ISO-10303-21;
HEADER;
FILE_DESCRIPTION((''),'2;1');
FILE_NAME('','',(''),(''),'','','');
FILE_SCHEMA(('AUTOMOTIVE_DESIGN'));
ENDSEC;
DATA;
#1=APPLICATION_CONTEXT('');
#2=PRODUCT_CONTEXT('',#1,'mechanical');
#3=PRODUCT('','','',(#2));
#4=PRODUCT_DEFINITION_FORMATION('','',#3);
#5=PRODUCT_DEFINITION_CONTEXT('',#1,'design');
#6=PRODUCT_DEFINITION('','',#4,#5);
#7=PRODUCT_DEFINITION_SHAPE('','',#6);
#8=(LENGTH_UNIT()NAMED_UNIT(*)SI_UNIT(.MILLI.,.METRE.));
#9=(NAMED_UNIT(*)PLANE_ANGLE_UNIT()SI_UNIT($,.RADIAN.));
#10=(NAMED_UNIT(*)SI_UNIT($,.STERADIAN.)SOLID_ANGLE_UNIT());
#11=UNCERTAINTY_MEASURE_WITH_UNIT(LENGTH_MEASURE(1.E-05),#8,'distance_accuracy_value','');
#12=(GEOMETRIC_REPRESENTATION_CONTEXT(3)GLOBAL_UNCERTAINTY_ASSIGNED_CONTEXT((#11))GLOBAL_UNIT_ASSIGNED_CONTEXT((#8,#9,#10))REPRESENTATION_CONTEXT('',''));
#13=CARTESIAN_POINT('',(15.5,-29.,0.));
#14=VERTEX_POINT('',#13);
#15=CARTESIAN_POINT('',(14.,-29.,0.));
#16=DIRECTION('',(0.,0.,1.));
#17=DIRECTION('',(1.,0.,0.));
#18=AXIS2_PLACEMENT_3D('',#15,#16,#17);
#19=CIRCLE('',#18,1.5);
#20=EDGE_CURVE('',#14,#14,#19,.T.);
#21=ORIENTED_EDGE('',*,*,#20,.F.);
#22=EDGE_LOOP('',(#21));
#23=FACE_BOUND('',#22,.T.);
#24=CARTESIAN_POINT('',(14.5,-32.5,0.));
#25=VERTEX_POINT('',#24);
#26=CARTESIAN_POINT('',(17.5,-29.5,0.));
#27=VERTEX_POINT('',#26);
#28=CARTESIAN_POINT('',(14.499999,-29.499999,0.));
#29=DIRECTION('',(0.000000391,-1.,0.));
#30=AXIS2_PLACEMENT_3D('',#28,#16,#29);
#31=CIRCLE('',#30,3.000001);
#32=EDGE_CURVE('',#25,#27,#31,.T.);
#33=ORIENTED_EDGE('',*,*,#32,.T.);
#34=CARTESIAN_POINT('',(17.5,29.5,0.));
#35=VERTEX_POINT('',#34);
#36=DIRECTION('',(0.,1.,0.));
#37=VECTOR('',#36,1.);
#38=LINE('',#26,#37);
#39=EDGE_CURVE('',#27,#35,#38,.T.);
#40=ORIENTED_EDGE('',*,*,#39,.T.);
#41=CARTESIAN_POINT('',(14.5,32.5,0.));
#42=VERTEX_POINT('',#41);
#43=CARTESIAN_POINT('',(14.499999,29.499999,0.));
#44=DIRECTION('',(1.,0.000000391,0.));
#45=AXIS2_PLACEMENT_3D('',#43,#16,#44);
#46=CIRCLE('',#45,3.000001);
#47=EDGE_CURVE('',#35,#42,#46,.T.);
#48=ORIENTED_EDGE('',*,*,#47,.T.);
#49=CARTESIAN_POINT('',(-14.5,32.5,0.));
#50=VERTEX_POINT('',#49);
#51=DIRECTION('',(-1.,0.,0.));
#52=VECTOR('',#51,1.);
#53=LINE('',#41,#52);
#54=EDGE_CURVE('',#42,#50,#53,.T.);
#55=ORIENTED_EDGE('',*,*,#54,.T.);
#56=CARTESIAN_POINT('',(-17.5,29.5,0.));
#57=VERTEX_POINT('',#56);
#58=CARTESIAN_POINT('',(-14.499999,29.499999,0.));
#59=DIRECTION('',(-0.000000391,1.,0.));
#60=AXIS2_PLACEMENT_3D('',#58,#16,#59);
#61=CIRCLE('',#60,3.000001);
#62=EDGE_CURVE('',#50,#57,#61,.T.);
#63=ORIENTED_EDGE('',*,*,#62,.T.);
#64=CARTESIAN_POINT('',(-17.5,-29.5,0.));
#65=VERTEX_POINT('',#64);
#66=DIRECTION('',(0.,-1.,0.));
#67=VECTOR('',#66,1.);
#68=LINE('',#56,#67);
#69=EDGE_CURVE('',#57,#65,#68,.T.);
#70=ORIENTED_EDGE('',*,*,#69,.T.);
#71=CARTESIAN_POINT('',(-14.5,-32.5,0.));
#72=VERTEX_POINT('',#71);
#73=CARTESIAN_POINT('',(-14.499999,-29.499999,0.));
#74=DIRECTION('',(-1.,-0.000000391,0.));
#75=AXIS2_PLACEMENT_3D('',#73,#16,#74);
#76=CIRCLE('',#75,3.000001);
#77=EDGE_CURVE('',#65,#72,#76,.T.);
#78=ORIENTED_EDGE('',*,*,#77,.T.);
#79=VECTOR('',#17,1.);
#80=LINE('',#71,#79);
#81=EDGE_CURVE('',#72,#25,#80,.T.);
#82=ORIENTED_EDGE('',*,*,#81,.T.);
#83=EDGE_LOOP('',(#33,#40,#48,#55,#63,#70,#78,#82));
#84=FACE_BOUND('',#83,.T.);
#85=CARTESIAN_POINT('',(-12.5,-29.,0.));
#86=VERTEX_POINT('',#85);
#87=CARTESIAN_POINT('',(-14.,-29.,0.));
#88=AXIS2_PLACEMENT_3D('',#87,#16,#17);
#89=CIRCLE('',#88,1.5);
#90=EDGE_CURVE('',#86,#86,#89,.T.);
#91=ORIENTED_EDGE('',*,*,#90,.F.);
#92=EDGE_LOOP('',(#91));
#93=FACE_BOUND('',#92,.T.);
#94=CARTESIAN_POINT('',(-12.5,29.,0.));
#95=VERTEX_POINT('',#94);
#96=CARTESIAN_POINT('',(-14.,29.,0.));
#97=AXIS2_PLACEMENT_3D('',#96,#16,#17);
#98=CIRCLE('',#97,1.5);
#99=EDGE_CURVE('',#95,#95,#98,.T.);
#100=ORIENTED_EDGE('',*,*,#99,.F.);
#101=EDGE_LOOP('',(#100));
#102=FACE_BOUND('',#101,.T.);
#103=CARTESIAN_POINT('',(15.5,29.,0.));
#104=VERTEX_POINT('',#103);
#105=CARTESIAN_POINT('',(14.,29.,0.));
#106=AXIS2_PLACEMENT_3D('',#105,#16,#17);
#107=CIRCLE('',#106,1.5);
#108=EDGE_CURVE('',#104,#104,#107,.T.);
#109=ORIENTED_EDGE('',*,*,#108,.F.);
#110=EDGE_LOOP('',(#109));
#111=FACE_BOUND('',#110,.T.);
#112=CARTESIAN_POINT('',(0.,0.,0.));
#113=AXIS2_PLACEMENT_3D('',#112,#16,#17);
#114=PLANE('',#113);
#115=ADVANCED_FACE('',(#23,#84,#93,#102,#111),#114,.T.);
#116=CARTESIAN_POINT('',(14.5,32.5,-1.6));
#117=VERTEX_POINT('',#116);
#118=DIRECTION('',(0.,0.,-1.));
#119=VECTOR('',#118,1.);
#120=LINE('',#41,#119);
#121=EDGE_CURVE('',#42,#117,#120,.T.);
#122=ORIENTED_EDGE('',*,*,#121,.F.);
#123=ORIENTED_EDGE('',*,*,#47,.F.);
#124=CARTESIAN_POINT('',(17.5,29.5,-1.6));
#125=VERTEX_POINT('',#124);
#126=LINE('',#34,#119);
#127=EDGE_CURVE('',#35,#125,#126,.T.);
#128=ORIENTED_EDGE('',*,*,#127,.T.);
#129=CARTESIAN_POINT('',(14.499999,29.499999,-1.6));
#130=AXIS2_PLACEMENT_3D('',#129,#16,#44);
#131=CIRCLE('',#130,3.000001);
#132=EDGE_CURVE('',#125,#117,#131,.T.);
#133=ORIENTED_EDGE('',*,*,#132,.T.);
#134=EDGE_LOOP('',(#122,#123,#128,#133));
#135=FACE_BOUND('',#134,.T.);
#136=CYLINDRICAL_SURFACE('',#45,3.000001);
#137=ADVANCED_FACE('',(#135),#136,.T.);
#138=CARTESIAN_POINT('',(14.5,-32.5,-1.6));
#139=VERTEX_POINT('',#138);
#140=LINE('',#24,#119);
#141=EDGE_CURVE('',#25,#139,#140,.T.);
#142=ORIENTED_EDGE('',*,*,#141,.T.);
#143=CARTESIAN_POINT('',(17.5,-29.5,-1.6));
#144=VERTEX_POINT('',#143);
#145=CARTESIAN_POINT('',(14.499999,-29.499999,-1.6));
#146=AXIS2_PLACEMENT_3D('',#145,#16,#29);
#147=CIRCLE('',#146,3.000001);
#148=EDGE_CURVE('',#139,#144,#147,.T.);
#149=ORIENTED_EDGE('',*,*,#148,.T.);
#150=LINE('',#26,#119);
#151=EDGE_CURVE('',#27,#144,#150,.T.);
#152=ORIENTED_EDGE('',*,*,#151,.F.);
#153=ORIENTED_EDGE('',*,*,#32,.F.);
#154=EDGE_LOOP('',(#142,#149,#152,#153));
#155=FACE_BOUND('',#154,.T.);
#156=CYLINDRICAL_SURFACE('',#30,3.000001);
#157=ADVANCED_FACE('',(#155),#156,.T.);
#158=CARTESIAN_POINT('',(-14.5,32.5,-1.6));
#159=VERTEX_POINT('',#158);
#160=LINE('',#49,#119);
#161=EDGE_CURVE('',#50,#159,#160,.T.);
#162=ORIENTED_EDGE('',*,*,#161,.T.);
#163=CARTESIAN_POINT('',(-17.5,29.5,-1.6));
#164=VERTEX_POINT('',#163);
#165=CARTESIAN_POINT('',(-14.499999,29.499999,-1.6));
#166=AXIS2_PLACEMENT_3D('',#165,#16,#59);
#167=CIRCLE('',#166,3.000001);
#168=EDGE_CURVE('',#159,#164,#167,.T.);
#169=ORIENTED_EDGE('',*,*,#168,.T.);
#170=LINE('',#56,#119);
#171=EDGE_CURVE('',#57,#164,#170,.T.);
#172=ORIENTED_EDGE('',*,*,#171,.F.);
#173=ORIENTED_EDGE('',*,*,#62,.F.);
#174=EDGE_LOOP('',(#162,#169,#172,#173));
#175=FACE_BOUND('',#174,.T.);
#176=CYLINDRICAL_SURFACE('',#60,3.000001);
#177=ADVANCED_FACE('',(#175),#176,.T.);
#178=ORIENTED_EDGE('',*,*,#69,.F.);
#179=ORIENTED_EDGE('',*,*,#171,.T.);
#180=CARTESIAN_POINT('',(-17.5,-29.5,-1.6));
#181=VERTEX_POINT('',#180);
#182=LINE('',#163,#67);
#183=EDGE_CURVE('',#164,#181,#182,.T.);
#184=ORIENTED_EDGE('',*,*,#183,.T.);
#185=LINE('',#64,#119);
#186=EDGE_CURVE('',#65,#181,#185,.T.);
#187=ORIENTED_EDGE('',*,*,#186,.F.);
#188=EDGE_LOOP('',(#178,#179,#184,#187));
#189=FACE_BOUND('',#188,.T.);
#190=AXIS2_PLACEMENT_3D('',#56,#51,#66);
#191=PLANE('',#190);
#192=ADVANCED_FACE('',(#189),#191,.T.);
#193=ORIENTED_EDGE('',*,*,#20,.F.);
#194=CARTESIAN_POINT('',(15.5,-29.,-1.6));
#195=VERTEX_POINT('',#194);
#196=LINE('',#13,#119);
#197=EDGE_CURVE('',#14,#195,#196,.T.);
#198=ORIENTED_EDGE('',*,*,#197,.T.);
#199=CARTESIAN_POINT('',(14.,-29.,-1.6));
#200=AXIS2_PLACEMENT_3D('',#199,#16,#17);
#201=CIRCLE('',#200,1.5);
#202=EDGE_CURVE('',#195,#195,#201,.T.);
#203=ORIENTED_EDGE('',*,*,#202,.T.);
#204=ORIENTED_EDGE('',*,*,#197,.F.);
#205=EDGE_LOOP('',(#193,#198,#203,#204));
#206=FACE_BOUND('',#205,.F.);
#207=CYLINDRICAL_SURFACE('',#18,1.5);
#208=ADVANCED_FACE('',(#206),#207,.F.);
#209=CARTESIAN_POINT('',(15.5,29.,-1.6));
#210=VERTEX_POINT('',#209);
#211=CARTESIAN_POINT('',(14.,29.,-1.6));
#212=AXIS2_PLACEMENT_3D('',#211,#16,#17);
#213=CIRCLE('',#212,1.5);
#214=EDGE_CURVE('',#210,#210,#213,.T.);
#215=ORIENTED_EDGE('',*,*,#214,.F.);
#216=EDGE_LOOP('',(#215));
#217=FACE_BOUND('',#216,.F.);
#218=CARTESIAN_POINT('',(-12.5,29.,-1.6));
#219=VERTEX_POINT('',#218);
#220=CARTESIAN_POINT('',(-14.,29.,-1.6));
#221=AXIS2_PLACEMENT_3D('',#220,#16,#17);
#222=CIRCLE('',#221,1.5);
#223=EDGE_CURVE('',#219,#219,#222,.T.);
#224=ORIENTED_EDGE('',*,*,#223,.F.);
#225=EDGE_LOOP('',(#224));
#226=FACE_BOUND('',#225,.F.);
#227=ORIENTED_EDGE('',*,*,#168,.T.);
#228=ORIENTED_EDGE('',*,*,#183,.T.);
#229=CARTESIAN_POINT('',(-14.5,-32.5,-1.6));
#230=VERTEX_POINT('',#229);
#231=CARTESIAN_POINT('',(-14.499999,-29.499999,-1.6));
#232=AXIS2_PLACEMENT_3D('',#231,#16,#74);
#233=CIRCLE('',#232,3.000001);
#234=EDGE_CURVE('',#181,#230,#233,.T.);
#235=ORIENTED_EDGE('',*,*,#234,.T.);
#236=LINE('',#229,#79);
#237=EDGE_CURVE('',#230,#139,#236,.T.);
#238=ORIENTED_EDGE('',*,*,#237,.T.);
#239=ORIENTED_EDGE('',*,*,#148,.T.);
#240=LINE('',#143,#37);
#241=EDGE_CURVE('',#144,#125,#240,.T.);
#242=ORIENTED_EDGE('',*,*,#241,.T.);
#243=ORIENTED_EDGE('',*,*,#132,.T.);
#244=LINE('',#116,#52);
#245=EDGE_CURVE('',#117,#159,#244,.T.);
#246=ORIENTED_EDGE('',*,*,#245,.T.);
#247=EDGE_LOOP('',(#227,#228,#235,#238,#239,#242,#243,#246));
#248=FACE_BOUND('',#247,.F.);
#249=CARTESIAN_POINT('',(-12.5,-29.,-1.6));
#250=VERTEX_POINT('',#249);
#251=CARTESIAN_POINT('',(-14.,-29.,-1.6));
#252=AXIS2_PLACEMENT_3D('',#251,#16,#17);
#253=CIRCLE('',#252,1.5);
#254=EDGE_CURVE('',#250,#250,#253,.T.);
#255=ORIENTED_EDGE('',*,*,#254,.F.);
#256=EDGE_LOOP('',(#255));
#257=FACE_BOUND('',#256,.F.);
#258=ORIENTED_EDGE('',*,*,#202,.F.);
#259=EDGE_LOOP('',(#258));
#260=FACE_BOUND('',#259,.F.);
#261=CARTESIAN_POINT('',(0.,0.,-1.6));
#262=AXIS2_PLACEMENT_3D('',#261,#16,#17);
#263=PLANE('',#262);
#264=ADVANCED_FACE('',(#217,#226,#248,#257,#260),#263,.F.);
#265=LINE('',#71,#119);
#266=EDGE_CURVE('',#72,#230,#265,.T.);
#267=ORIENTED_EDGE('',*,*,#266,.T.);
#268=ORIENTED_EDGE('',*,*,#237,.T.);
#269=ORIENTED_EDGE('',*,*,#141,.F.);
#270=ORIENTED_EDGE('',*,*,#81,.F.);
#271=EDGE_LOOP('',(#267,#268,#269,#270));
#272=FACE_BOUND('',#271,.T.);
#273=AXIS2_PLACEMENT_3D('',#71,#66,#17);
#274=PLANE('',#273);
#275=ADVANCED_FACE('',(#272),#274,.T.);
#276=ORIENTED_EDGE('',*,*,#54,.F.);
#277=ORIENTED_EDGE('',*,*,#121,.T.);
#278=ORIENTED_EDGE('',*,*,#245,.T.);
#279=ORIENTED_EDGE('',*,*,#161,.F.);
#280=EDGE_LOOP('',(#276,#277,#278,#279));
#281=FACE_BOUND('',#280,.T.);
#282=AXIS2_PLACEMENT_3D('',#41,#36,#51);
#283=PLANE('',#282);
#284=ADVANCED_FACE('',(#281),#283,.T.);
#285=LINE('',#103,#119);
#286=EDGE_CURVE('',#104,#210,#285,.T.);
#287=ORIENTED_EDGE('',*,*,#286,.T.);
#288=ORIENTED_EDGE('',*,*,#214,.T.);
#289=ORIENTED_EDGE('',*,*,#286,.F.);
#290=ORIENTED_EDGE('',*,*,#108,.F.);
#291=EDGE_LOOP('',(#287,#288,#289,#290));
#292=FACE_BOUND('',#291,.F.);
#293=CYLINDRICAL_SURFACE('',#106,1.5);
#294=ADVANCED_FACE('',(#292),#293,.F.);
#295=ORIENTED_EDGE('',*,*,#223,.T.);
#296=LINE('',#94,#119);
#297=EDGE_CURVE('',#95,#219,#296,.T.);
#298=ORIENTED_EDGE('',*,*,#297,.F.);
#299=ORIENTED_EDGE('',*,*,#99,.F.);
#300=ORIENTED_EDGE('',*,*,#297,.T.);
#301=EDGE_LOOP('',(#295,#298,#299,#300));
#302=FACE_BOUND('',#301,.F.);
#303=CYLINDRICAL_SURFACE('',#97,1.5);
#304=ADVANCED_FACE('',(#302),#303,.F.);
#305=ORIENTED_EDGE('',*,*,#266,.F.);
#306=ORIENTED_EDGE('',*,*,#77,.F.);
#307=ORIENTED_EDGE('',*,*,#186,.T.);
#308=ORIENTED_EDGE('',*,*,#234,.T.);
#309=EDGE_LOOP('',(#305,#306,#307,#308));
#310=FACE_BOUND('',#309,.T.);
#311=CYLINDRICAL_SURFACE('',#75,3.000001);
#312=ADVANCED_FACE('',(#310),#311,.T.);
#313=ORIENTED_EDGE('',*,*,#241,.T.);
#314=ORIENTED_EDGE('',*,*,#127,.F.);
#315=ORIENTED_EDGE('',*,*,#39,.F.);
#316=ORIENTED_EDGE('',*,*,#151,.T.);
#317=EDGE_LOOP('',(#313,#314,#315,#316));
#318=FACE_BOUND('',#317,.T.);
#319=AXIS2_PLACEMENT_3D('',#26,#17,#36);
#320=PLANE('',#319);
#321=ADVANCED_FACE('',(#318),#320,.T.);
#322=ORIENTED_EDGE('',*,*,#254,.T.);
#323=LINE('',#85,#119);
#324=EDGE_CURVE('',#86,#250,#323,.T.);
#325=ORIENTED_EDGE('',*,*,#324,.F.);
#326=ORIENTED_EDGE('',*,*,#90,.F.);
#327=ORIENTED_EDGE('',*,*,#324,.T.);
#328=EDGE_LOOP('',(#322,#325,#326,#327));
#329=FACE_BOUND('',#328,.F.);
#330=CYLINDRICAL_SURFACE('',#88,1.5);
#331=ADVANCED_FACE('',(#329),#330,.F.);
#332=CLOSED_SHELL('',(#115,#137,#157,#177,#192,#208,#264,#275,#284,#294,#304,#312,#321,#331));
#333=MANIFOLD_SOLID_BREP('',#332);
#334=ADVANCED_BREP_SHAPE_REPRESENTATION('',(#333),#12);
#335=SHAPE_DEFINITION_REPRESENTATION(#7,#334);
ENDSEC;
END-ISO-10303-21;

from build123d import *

# Parameters (mm, degrees)
F0_R     = 1.5
F1_DEPTH = 1.6


with BuildPart() as f1:
    # F0 (on Top) → F1 (new body)
    with BuildSketch(Plane.XY):
        with BuildLine():
            ThreePointArc((17.5, 29.5), (16.62132, 31.62132), (14.5, 32.5))
            Line((14.5, 32.5), (-14.5, 32.5))
            ThreePointArc((-14.5, 32.5), (-16.62132, 31.62132), (-17.5, 29.5))
            Line((-17.5, 29.5), (-17.5, -29.5))
            ThreePointArc((-17.5, -29.5), (-16.62132, -31.62132), (-14.5, -32.5))
            Line((-14.5, -32.5), (14.5, -32.5))
            ThreePointArc((14.5, -32.5), (16.62132, -31.62132), (17.5, -29.5))
            Line((17.5, -29.5), (17.5, 29.5))
        make_face()
        with Locations((-14, -29)):
            Circle(F0_R, mode=Mode.SUBTRACT)
        with Locations((14, -29)):
            Circle(F0_R, mode=Mode.SUBTRACT)
        with Locations((-14, 29)):
            Circle(F0_R, mode=Mode.SUBTRACT)
        with Locations((14, 29)):
            Circle(F0_R, mode=Mode.SUBTRACT)
    extrude(amount=-F1_DEPTH)


solid = f1.part
